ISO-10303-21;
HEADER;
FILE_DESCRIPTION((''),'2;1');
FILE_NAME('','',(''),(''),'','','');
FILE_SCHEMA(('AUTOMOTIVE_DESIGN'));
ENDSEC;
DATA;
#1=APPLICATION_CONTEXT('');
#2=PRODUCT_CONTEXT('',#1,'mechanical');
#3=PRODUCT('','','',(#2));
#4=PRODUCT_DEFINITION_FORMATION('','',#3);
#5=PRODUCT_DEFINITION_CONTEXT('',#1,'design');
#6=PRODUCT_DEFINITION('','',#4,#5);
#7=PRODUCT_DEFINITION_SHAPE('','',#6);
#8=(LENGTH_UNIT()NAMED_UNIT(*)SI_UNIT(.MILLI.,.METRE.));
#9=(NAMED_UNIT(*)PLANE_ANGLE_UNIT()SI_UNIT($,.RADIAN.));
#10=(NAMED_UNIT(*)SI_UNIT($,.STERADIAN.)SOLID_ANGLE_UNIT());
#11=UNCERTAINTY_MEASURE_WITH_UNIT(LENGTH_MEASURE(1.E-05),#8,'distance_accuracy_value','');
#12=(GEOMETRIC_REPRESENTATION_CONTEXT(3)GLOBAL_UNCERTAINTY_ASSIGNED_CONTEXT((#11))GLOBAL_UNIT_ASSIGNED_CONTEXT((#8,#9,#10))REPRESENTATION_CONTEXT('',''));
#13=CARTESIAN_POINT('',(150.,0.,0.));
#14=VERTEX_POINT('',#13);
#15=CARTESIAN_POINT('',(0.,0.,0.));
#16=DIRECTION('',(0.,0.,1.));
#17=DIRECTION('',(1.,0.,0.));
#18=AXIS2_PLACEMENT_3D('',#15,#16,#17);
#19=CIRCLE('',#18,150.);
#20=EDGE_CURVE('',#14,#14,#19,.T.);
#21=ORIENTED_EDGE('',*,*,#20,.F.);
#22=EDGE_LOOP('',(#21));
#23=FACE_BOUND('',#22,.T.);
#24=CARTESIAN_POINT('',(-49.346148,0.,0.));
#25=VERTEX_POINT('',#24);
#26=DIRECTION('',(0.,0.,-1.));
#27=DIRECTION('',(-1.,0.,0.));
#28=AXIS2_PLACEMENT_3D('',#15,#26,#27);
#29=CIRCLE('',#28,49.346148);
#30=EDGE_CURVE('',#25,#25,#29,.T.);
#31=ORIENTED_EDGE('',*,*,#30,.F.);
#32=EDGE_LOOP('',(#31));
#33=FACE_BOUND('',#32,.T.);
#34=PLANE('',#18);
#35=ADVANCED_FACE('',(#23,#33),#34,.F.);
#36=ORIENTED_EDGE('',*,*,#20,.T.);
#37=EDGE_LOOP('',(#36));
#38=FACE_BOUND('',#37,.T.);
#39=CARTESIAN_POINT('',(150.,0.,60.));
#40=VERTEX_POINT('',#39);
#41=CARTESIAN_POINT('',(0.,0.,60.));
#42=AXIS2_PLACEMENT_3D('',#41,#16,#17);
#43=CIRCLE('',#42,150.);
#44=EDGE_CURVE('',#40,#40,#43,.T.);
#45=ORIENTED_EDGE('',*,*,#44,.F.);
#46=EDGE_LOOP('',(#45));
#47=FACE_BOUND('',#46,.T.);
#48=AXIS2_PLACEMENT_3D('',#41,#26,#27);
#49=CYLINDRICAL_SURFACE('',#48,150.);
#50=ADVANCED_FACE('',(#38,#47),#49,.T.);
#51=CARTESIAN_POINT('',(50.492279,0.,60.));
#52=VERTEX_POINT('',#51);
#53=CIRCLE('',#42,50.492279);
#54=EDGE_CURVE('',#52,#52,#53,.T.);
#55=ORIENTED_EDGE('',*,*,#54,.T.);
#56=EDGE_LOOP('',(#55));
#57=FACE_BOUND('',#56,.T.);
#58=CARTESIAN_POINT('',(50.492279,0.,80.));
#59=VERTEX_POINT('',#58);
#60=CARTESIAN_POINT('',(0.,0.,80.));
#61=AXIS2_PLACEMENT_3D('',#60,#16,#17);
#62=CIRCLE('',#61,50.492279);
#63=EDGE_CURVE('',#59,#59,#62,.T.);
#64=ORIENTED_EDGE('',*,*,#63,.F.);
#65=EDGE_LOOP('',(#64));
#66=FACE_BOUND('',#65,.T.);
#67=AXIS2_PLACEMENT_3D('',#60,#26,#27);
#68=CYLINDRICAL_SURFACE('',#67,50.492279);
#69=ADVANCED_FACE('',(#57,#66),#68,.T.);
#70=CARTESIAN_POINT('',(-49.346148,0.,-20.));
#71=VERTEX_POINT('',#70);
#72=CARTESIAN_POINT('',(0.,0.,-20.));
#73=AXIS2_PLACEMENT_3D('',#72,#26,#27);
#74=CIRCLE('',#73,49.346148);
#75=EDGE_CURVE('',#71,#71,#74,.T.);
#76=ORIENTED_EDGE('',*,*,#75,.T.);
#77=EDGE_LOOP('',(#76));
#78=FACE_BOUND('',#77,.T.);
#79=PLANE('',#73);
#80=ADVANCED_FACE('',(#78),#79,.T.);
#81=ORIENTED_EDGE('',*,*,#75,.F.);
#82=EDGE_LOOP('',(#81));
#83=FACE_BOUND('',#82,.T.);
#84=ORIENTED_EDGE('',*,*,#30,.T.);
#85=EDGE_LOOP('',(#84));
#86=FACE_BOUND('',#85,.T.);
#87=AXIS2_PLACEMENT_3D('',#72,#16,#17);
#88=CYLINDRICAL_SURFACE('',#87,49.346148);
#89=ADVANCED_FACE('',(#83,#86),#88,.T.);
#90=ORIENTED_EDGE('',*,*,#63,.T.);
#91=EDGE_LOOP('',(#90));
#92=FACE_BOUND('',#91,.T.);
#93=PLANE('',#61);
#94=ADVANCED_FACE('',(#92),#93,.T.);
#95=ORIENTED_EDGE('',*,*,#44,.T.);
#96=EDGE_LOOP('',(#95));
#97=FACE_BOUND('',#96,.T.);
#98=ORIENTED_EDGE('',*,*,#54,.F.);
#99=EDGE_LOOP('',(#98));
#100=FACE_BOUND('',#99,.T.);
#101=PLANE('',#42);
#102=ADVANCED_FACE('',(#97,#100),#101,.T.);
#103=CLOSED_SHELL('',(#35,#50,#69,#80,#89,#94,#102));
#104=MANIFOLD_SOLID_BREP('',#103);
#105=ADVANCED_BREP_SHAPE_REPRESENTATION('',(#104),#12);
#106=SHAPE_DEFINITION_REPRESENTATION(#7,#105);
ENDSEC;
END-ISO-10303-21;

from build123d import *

# Parameters (mm, degrees)
SKETCH1_R           = 150
BOSS_EXTRUDE1_DEPTH = 60
SKETCH2_R           = 50.492278984
BOSS_EXTRUDE2_DEPTH = 20
SKETCH3_R           = 49.346148261
BOSS_EXTRUDE3_DEPTH = 20


with BuildPart() as part:
    # Sketch1 → Boss-Extrude1 (new body)
    with BuildSketch(Plane.XY):
        Circle(SKETCH1_R)
    extrude(amount=BOSS_EXTRUDE1_DEPTH)

    # Sketch2 → Boss-Extrude2 (add)
    with BuildSketch(Plane.XY.offset(60)):
        Circle(SKETCH2_R)
    extrude(amount=BOSS_EXTRUDE2_DEPTH)

    # Sketch3 → Boss-Extrude3 (add)
    with BuildSketch(Plane(origin=(0, 0, 0), x_dir=(-1, 0, 0), z_dir=(0, 0, -1))):
        Circle(SKETCH3_R)
    extrude(amount=BOSS_EXTRUDE3_DEPTH)


solid = part.part
